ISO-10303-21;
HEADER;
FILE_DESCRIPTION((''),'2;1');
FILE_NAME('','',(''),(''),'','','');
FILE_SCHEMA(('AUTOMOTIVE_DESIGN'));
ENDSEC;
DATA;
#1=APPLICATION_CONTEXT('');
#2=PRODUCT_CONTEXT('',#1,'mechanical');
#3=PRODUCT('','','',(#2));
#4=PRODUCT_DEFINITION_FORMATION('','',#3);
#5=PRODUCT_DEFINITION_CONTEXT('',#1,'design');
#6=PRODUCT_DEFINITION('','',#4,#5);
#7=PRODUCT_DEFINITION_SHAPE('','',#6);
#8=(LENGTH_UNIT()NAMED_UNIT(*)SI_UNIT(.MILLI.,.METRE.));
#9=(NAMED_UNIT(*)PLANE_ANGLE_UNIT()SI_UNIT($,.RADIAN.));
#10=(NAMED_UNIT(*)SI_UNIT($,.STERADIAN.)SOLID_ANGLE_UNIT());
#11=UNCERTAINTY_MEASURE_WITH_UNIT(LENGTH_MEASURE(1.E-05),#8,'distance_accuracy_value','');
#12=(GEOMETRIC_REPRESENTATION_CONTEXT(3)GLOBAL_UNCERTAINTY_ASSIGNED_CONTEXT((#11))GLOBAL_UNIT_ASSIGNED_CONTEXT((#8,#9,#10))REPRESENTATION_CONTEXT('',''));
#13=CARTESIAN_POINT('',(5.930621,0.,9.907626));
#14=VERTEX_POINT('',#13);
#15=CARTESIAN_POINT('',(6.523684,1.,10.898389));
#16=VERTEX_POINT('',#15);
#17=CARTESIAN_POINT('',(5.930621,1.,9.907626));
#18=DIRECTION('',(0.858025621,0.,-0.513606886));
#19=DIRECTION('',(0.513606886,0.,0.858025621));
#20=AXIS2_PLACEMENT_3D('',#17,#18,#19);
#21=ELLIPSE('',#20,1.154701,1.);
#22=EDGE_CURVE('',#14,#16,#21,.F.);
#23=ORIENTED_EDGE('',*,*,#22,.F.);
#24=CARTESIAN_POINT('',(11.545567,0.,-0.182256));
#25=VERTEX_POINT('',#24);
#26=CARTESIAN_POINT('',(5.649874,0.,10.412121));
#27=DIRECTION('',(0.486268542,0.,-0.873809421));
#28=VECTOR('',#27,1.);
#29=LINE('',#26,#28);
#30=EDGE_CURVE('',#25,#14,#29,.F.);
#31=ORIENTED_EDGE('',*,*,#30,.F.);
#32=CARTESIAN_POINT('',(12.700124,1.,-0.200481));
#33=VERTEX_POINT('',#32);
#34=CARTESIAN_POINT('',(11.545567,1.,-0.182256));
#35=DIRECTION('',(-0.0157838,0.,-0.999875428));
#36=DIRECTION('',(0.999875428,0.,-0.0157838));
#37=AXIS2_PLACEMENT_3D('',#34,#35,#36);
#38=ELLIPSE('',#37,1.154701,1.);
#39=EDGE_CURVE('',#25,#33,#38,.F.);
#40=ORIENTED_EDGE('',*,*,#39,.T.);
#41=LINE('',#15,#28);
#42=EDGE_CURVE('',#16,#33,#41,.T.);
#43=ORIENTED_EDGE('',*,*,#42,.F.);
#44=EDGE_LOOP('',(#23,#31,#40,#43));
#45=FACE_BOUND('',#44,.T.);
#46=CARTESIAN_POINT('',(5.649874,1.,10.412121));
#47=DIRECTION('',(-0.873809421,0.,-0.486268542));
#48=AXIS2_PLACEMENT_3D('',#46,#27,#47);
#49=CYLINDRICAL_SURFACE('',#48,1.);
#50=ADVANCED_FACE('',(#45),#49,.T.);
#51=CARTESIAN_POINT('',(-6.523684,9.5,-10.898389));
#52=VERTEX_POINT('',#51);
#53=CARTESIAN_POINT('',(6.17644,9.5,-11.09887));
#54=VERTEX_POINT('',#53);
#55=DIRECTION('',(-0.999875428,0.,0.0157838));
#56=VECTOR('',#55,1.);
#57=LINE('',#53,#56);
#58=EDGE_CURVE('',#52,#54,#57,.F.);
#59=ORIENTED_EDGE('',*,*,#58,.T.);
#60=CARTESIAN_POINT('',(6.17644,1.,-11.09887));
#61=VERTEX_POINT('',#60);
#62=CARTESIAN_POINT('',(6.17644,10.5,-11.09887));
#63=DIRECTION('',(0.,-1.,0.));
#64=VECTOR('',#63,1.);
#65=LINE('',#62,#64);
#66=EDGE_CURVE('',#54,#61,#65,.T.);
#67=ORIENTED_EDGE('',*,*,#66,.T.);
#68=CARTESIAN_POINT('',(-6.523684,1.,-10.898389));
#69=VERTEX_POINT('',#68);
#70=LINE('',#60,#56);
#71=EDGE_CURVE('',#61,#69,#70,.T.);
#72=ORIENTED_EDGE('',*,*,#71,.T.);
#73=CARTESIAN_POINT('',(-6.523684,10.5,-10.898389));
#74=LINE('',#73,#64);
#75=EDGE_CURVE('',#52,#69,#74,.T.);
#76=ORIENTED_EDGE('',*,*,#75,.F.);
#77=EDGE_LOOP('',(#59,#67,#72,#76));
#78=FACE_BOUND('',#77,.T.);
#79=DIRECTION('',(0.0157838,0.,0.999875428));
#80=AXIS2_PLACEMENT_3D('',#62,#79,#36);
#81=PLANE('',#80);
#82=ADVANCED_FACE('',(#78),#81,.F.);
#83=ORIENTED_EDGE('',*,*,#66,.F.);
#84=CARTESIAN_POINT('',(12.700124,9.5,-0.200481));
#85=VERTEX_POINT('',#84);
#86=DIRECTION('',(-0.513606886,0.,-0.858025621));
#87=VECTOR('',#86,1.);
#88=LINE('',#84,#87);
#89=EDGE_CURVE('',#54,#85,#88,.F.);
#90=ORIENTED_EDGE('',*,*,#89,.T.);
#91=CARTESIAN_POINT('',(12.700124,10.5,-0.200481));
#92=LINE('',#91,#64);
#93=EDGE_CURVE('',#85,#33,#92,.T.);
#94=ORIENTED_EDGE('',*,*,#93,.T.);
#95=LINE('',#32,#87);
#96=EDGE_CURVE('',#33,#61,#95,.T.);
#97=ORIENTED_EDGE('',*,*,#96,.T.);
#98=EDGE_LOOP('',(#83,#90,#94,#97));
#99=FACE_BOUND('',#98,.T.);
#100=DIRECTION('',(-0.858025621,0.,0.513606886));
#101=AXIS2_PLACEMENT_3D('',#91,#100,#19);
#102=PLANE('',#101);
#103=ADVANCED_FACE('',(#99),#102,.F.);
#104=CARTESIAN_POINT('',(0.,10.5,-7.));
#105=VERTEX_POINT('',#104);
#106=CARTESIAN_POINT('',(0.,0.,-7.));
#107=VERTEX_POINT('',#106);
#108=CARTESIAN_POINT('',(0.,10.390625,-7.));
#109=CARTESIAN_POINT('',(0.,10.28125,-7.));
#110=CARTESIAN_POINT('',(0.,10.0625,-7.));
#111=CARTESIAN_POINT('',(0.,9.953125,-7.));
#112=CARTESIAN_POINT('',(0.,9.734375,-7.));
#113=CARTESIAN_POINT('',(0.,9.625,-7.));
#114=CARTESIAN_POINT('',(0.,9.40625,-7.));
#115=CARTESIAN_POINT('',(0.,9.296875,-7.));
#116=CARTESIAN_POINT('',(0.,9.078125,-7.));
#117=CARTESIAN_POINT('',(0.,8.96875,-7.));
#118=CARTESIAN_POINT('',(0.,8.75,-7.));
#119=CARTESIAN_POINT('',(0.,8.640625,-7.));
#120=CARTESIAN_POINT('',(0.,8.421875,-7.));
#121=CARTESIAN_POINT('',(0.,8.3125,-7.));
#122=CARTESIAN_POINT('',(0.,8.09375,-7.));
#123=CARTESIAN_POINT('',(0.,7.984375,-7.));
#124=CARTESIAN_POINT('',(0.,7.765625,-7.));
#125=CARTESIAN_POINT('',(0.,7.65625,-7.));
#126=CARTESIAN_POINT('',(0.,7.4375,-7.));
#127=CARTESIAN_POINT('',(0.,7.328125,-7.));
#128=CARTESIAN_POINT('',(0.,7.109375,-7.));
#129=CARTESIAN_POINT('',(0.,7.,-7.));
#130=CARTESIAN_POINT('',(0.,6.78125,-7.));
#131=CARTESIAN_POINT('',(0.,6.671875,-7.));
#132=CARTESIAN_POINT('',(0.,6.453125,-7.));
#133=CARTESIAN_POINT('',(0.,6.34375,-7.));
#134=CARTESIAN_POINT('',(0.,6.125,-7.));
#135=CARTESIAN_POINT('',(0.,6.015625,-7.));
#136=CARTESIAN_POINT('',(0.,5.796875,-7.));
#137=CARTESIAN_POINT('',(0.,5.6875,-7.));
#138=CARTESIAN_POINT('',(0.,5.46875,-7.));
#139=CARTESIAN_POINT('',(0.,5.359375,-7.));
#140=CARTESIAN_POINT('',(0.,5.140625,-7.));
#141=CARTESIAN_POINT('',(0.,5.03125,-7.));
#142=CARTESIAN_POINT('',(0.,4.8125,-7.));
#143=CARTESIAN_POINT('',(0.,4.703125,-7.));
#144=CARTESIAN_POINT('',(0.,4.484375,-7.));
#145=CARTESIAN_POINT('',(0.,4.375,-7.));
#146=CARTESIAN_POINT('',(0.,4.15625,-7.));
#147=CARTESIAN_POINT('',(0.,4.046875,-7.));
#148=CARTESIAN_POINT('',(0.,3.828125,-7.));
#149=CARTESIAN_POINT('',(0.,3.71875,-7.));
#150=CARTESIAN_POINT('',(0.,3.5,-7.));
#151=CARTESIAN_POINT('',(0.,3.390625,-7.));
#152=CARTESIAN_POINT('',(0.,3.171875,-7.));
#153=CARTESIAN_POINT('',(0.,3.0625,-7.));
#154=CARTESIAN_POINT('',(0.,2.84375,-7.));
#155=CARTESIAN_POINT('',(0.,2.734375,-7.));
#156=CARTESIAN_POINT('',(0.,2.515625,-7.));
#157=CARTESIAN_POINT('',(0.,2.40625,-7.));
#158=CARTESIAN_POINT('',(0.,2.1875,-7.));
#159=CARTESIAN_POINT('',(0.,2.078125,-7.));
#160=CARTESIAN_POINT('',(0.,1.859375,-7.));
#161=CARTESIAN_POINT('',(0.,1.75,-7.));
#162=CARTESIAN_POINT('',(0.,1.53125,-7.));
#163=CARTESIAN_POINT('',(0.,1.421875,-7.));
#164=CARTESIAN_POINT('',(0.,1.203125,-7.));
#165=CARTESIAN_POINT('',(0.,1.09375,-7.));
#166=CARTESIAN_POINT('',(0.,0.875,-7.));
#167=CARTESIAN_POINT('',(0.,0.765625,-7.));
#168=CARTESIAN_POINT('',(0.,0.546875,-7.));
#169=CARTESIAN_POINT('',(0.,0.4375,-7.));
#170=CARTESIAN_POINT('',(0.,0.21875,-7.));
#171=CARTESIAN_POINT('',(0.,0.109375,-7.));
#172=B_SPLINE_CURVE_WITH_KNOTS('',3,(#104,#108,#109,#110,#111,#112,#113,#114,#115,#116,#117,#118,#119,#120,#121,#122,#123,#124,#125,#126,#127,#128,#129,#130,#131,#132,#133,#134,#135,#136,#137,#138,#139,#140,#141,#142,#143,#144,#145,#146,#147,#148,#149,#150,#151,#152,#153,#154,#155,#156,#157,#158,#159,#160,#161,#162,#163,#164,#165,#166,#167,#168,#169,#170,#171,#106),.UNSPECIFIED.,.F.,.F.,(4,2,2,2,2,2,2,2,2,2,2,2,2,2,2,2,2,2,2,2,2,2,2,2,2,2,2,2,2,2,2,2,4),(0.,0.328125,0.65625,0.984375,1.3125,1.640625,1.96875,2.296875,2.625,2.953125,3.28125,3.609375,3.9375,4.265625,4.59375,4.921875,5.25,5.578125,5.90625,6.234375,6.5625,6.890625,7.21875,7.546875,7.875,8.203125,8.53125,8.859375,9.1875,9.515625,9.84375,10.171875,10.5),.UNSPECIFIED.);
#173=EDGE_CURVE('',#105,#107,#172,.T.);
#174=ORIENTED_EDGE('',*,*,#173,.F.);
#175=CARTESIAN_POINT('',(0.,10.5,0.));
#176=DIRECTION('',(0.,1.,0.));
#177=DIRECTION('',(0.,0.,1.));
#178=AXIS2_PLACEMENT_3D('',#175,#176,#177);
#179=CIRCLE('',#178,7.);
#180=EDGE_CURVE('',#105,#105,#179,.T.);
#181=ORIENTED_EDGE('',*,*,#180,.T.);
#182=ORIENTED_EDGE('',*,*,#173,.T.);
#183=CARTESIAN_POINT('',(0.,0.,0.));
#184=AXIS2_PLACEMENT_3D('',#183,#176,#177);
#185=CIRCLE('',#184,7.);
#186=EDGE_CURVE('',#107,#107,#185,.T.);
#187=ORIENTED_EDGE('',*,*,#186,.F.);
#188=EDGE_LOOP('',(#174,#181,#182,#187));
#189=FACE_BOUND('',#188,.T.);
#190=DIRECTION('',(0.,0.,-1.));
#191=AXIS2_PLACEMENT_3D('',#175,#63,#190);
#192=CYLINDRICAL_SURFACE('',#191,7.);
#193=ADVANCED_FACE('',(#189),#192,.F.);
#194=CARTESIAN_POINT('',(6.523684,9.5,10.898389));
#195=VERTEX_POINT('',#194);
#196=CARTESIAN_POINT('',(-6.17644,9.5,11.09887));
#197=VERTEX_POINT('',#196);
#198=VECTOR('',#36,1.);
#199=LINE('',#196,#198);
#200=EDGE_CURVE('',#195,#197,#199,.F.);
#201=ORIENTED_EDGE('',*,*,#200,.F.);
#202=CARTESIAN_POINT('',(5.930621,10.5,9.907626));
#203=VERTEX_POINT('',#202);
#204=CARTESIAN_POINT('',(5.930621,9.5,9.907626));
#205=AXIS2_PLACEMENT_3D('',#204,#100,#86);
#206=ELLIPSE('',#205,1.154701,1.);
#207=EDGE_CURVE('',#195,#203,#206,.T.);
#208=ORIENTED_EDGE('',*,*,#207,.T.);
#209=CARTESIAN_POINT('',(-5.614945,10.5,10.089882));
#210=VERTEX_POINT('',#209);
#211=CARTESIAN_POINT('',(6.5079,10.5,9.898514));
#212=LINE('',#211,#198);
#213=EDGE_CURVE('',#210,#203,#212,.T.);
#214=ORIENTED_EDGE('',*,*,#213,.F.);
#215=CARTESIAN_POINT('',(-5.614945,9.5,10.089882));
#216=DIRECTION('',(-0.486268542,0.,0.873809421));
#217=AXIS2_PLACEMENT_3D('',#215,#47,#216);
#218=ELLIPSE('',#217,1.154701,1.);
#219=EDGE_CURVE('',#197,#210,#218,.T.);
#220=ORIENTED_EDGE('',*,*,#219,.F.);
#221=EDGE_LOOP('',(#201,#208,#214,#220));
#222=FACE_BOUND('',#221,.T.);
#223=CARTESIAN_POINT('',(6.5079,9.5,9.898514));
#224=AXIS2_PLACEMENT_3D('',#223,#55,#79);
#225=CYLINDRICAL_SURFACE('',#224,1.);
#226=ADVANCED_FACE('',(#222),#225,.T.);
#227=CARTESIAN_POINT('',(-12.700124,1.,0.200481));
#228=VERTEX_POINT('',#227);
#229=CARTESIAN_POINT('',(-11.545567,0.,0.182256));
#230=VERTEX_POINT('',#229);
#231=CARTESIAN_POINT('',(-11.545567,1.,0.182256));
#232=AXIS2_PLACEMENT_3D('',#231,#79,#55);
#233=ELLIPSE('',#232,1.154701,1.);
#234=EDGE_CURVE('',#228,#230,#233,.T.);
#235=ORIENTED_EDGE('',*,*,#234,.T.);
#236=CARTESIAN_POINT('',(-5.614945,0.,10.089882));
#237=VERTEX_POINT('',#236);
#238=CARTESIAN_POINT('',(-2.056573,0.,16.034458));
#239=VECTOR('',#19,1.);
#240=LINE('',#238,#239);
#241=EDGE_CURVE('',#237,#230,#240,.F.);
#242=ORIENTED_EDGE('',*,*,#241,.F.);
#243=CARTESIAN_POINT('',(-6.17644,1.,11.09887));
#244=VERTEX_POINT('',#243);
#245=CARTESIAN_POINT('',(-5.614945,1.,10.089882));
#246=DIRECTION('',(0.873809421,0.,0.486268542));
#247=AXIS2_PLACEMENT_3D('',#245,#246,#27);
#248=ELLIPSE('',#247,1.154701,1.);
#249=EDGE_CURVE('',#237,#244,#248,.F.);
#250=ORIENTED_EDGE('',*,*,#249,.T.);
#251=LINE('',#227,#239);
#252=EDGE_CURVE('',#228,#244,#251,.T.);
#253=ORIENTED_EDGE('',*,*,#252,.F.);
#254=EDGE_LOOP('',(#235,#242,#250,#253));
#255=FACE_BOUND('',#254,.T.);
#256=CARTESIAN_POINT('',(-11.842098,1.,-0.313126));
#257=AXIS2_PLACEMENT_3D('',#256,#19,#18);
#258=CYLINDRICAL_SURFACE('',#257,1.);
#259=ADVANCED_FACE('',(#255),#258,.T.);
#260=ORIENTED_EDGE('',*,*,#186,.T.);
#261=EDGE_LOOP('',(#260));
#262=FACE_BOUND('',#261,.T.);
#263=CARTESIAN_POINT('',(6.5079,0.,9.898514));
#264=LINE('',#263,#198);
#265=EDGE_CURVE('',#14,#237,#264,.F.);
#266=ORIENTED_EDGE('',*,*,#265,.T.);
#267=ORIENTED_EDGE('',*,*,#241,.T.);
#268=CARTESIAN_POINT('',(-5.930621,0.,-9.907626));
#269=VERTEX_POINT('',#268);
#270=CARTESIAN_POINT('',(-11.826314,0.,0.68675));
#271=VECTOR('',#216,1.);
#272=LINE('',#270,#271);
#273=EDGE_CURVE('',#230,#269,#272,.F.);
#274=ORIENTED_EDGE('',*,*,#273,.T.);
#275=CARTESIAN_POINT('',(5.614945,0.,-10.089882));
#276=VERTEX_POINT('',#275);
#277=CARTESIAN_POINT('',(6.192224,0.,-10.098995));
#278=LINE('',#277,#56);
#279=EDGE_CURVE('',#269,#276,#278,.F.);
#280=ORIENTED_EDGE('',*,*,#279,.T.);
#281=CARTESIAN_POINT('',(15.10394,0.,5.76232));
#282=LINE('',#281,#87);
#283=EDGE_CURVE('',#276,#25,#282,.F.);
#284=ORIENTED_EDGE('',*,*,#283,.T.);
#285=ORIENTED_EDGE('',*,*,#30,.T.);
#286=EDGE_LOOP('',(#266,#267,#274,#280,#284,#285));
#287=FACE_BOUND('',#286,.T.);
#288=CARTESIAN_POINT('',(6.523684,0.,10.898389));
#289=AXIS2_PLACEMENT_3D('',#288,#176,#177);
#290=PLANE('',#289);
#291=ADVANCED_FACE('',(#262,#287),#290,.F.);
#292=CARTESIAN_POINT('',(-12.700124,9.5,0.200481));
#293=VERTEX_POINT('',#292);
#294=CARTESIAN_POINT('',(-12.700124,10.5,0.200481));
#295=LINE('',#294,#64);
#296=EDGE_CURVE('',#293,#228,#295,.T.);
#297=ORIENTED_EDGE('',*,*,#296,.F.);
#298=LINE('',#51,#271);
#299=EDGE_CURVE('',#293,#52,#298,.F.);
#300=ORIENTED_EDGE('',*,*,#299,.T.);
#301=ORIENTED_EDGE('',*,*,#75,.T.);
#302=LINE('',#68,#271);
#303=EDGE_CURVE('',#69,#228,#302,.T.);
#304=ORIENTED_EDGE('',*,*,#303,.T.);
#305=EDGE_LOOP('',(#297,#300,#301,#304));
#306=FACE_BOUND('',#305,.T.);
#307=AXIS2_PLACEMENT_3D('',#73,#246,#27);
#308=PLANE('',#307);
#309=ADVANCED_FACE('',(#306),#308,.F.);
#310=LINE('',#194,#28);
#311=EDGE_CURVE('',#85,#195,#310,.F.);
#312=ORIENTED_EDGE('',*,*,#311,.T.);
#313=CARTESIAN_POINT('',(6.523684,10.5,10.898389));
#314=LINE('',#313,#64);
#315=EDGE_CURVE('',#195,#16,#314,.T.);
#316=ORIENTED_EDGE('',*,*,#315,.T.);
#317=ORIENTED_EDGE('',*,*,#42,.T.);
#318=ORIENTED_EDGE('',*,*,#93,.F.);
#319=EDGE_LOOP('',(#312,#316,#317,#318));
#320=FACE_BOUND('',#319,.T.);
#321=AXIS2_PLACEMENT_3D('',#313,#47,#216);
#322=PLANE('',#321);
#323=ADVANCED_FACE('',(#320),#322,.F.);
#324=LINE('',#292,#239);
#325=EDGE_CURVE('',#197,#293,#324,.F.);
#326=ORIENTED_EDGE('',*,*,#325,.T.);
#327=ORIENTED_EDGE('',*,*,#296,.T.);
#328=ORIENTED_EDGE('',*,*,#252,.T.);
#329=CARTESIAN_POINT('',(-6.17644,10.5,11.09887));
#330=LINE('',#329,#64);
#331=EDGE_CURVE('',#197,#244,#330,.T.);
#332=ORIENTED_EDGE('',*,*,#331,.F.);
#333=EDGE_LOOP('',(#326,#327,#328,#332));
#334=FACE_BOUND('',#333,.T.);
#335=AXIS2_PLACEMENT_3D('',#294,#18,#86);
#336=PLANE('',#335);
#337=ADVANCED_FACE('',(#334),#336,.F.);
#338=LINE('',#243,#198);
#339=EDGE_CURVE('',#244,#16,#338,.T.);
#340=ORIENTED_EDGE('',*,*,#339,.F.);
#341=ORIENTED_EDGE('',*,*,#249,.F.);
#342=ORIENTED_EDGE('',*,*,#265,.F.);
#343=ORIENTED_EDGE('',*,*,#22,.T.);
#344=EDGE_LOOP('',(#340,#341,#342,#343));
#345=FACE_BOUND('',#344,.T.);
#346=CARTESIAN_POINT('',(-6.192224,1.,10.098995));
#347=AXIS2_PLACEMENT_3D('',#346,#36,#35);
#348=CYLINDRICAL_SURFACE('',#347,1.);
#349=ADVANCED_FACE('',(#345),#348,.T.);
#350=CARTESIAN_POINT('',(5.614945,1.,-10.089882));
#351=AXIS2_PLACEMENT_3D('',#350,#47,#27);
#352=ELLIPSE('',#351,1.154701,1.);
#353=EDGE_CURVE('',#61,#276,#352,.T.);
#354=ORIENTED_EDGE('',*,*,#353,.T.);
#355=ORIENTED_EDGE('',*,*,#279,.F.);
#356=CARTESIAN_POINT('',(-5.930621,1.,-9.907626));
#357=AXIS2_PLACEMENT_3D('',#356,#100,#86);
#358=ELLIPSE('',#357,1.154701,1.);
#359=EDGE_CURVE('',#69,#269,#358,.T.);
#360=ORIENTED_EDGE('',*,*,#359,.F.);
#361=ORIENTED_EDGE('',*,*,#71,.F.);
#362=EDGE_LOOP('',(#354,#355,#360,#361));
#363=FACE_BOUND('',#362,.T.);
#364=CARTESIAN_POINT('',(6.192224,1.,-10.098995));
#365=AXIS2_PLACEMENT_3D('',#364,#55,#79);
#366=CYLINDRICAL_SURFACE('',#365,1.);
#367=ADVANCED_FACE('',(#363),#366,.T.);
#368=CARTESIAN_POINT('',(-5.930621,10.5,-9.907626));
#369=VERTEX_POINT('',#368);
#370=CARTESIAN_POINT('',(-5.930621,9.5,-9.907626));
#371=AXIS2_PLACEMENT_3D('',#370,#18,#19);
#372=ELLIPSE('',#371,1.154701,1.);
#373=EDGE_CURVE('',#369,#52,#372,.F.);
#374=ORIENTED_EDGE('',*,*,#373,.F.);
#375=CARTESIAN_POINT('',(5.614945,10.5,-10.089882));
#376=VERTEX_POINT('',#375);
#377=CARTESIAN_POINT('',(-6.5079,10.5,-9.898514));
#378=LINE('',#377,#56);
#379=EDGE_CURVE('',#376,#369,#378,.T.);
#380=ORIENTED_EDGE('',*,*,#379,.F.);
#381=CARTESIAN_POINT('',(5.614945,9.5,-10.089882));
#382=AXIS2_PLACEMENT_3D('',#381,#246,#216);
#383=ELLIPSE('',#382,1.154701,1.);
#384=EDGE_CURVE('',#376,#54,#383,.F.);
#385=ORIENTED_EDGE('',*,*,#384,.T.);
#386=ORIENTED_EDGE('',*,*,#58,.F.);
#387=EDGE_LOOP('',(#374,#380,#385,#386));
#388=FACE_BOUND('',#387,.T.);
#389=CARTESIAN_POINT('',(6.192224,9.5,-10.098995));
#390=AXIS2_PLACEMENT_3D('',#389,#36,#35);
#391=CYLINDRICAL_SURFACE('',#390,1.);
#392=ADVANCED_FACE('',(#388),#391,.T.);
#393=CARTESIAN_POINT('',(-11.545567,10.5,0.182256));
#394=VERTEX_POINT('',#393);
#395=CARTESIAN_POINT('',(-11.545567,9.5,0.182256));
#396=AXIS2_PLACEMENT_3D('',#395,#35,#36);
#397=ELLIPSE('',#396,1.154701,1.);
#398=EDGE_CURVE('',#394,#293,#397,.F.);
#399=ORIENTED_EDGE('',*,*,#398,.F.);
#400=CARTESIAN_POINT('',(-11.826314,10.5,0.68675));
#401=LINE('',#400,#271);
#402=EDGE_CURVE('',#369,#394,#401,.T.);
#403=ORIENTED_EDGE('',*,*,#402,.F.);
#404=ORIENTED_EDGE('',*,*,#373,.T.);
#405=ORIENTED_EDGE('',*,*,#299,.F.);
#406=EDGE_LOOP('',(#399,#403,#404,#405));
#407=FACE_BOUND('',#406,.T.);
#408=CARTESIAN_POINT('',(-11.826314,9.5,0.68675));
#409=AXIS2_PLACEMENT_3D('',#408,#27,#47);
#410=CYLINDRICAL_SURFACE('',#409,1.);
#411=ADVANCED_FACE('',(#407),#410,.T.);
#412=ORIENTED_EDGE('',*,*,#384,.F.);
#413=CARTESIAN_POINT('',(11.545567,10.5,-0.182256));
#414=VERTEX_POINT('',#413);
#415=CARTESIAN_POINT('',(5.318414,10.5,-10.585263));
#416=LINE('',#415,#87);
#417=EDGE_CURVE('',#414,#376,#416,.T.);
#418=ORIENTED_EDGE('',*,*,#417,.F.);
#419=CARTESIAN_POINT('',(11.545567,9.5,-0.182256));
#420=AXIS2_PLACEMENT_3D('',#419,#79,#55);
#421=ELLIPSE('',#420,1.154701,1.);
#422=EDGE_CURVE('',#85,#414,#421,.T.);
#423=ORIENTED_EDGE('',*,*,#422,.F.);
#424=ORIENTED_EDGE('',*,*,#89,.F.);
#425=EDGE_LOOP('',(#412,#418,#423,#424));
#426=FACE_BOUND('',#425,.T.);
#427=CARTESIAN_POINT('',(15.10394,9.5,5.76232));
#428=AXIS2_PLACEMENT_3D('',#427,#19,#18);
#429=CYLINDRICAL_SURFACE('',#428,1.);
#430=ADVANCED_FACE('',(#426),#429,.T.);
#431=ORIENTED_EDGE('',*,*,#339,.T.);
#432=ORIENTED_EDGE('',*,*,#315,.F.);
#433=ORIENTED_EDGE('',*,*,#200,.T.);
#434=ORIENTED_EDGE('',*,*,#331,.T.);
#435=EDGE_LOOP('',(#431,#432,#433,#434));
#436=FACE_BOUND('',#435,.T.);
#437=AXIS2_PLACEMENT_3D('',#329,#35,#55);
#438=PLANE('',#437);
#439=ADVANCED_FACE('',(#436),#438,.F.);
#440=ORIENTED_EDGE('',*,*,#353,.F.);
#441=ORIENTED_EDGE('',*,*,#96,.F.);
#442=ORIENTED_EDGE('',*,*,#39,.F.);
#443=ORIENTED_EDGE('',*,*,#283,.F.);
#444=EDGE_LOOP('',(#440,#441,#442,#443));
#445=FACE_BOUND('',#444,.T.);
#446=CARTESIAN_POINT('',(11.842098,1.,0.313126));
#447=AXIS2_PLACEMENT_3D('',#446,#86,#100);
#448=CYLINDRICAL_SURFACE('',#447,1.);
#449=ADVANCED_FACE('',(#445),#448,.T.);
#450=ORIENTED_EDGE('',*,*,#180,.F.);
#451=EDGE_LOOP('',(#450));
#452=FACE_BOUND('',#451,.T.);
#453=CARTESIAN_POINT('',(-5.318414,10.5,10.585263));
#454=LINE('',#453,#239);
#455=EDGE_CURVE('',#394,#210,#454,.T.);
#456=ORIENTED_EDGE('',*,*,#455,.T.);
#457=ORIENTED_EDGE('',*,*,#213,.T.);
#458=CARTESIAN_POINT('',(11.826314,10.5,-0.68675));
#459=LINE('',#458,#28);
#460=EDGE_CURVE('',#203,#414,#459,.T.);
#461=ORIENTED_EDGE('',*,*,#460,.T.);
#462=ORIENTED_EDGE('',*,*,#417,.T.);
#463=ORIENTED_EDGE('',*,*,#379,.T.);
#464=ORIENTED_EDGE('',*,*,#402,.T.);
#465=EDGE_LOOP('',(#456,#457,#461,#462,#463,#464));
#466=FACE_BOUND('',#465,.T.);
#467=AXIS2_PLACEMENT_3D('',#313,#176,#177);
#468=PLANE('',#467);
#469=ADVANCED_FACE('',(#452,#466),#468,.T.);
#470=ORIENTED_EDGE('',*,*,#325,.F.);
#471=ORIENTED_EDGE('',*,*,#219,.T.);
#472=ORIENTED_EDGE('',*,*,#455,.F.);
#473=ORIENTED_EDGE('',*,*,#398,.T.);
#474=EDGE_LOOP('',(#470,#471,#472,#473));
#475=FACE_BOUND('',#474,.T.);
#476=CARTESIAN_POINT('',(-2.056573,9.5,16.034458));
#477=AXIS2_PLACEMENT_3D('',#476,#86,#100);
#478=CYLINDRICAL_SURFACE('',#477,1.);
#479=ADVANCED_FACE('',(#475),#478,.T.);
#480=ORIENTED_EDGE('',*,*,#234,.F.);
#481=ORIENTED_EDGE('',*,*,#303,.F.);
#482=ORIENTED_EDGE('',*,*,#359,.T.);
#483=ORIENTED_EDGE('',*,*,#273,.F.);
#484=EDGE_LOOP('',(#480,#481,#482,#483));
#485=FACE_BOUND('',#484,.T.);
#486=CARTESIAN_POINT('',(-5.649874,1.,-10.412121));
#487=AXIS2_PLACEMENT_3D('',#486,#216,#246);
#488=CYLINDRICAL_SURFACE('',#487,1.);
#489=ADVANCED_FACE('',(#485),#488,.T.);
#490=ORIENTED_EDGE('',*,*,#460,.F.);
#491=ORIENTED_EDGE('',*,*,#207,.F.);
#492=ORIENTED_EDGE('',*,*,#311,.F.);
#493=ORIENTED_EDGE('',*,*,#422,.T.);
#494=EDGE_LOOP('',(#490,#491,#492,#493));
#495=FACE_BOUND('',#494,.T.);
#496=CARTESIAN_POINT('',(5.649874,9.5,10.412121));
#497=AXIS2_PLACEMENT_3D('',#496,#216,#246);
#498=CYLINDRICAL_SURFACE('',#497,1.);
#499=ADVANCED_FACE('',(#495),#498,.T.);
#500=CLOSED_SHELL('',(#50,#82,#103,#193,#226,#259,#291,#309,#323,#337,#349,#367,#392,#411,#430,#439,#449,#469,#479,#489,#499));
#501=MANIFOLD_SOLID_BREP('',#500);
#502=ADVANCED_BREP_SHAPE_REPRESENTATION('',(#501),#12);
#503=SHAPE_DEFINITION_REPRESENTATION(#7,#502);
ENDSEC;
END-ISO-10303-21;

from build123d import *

# Parameters (mm, degrees)
SKETCH_1_R      = 7
EXTRUDE_1_DEPTH = 10.5
FILLET_1_R      = 1


with BuildPart() as part:
    # Эскиз1 → Вытянуть1 (new body)
    with BuildSketch(Plane(origin=(0, 0, 0), x_dir=(1, 0, 0), z_dir=(0, 1, 0))):
        Polygon((6.523683625, -10.898389115), (12.700123646, 0.200481188), (6.176440021, 11.098870303), (-6.523683625, 10.898389115), (-12.700123646, -0.200481188), (-6.176440021, -11.098870303), align=None)
        with Locations(Location((0, 0, 0), (0, 0, 90))):
            Circle(SKETCH_1_R, mode=Mode.SUBTRACT)
    extrude(amount=EXTRUDE_1_DEPTH)

    # Скругление1
    fillet_1_edges = [part.edges().sort_by_distance(p)[0] for p in [
        (9.438281834, 10.5, -5.649675745),
        (-0.173621802, 10.5, -10.998629709),
        (-9.611903636, 10.5, -5.348953963),
        (-9.438281834, 10.5, 5.649675745),
        (0.173621802, 10.5, 10.998629709),
        (-9.438281834, 0, 5.649675745),
        (-9.611903636, 0, -5.348953963),
        (-0.173621802, 0, -10.998629709),
        (9.611903636, 10.5, 5.348953963),
        (9.438281834, 0, -5.649675745),
        (9.611903636, 0, 5.348953963),
        (0.173621802, 0, 10.998629709),
    ]]
    fillet(fillet_1_edges, radius=FILLET_1_R)


solid = part.part
